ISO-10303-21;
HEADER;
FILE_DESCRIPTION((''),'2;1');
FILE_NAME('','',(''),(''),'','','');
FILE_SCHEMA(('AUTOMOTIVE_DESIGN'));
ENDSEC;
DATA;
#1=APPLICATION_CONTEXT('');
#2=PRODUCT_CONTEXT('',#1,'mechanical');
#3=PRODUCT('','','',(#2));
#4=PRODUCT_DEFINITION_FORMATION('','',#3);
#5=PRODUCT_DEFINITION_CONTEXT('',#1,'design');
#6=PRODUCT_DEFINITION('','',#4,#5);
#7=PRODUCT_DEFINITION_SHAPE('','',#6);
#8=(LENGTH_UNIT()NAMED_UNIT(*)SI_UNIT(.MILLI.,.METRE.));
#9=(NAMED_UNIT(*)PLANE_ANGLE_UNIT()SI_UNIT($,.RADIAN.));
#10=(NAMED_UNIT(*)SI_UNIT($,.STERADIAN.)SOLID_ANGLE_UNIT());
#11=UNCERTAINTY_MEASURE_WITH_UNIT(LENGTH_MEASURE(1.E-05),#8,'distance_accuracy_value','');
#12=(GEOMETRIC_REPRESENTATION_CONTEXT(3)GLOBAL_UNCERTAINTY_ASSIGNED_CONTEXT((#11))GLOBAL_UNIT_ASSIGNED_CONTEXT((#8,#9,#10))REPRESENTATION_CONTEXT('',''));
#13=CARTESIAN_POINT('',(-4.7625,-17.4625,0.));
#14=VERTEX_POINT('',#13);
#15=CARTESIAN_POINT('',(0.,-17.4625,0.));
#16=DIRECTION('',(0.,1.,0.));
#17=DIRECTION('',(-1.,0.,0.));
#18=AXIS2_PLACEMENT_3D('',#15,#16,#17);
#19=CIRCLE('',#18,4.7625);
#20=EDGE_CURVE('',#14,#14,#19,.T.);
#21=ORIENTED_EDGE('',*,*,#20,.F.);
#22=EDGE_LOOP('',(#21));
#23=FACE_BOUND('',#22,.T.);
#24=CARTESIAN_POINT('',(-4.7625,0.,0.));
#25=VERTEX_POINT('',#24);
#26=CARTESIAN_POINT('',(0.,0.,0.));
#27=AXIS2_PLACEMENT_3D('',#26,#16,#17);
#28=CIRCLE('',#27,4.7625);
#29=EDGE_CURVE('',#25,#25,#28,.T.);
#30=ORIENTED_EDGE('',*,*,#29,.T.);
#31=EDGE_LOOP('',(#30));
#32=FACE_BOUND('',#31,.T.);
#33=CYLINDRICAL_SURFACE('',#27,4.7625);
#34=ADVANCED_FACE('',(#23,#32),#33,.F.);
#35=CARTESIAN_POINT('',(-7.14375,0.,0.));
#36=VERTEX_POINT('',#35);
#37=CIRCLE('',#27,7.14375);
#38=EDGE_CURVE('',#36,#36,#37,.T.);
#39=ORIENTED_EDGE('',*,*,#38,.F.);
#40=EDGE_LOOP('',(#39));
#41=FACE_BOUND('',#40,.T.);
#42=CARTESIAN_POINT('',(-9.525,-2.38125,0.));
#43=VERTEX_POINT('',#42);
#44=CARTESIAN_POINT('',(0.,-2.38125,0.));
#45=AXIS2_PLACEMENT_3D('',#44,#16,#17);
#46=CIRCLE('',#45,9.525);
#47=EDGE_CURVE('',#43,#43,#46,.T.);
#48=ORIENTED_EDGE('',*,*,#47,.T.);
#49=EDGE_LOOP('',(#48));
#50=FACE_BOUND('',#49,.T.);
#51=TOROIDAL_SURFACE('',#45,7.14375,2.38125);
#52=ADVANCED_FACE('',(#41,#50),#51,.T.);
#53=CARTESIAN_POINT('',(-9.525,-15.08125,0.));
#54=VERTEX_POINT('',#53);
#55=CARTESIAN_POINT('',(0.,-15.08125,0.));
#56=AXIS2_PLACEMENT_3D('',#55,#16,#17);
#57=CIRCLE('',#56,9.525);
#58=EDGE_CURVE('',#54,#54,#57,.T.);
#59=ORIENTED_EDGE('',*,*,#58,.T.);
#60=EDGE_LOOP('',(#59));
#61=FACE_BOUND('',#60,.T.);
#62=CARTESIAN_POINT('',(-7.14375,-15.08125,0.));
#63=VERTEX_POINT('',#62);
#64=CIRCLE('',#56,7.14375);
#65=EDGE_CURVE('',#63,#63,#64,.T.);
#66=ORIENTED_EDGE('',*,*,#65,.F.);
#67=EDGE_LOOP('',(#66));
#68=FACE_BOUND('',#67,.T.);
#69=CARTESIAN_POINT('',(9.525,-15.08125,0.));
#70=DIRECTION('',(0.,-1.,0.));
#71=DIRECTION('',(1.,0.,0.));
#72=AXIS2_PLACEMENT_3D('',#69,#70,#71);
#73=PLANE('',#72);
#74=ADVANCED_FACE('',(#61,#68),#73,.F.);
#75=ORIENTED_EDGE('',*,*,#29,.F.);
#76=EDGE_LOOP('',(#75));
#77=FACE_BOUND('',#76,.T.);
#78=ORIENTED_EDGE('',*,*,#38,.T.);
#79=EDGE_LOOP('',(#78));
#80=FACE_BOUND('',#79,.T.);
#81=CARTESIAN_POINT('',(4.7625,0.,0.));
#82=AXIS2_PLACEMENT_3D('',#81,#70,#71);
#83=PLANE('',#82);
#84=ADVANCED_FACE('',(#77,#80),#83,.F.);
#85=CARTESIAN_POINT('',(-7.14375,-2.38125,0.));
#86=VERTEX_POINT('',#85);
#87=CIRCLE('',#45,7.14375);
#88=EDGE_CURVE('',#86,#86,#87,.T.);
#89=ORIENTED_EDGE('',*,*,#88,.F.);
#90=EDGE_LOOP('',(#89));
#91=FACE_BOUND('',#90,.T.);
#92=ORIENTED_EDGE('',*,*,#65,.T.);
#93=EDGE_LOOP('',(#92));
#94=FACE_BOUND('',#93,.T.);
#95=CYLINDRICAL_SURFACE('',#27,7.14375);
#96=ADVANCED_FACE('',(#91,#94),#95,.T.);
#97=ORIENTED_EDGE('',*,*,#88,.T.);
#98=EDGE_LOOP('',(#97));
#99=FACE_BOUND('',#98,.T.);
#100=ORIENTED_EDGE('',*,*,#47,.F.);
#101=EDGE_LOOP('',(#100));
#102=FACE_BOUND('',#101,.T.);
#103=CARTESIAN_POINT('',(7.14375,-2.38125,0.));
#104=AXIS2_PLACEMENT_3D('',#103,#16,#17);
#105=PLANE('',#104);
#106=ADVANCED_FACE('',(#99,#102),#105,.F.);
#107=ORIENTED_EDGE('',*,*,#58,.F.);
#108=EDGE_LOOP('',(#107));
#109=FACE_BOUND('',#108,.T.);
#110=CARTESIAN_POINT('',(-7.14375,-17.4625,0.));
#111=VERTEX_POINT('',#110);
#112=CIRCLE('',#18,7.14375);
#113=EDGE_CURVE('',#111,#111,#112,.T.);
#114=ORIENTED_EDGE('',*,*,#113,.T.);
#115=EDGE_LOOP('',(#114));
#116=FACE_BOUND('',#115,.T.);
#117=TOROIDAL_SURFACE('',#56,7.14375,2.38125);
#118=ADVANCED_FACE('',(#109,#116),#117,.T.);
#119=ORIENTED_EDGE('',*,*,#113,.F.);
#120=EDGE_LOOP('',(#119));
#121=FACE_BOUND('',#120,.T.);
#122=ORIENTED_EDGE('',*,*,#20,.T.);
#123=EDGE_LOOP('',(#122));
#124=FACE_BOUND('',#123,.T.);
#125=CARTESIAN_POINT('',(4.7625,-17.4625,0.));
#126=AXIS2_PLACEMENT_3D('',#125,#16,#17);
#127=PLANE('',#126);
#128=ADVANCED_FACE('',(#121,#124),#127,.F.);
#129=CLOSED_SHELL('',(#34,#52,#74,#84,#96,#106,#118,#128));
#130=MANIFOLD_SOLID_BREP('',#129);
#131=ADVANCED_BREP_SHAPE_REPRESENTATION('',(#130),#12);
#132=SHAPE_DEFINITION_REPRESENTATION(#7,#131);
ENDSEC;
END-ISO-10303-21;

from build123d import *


with BuildPart() as part:
    # Sketch1 → Revolve1 (revolve)
    with BuildSketch(Plane.XY, mode=Mode.PRIVATE) as revolve1_sk:
        with BuildLine():
            Line((4.7625, 0), (4.7625, -17.4625))
            Line((4.7625, -17.4625), (7.14375, -17.4625))
            ThreePointArc((7.14375, -17.4625), (8.827548023, -16.765048023), (9.525, -15.08125))
            Line((9.525, -15.08125), (7.14375, -15.08125))
            Line((7.14375, -15.08125), (7.14375, -2.38125))
            Line((7.14375, -2.38125), (9.525, -2.38125))
            ThreePointArc((9.525, -2.38125), (8.827548023, -0.697451977), (7.14375, 0))
            Line((7.14375, 0), (4.7625, 0))
        make_face()
    revolve(revolve1_sk.sketch.rotate(Axis((0, 0, 0), (0, -1, 0)), 180), axis=Axis((0, 0, 0), (0, -1, 0)))


solid = part.part
